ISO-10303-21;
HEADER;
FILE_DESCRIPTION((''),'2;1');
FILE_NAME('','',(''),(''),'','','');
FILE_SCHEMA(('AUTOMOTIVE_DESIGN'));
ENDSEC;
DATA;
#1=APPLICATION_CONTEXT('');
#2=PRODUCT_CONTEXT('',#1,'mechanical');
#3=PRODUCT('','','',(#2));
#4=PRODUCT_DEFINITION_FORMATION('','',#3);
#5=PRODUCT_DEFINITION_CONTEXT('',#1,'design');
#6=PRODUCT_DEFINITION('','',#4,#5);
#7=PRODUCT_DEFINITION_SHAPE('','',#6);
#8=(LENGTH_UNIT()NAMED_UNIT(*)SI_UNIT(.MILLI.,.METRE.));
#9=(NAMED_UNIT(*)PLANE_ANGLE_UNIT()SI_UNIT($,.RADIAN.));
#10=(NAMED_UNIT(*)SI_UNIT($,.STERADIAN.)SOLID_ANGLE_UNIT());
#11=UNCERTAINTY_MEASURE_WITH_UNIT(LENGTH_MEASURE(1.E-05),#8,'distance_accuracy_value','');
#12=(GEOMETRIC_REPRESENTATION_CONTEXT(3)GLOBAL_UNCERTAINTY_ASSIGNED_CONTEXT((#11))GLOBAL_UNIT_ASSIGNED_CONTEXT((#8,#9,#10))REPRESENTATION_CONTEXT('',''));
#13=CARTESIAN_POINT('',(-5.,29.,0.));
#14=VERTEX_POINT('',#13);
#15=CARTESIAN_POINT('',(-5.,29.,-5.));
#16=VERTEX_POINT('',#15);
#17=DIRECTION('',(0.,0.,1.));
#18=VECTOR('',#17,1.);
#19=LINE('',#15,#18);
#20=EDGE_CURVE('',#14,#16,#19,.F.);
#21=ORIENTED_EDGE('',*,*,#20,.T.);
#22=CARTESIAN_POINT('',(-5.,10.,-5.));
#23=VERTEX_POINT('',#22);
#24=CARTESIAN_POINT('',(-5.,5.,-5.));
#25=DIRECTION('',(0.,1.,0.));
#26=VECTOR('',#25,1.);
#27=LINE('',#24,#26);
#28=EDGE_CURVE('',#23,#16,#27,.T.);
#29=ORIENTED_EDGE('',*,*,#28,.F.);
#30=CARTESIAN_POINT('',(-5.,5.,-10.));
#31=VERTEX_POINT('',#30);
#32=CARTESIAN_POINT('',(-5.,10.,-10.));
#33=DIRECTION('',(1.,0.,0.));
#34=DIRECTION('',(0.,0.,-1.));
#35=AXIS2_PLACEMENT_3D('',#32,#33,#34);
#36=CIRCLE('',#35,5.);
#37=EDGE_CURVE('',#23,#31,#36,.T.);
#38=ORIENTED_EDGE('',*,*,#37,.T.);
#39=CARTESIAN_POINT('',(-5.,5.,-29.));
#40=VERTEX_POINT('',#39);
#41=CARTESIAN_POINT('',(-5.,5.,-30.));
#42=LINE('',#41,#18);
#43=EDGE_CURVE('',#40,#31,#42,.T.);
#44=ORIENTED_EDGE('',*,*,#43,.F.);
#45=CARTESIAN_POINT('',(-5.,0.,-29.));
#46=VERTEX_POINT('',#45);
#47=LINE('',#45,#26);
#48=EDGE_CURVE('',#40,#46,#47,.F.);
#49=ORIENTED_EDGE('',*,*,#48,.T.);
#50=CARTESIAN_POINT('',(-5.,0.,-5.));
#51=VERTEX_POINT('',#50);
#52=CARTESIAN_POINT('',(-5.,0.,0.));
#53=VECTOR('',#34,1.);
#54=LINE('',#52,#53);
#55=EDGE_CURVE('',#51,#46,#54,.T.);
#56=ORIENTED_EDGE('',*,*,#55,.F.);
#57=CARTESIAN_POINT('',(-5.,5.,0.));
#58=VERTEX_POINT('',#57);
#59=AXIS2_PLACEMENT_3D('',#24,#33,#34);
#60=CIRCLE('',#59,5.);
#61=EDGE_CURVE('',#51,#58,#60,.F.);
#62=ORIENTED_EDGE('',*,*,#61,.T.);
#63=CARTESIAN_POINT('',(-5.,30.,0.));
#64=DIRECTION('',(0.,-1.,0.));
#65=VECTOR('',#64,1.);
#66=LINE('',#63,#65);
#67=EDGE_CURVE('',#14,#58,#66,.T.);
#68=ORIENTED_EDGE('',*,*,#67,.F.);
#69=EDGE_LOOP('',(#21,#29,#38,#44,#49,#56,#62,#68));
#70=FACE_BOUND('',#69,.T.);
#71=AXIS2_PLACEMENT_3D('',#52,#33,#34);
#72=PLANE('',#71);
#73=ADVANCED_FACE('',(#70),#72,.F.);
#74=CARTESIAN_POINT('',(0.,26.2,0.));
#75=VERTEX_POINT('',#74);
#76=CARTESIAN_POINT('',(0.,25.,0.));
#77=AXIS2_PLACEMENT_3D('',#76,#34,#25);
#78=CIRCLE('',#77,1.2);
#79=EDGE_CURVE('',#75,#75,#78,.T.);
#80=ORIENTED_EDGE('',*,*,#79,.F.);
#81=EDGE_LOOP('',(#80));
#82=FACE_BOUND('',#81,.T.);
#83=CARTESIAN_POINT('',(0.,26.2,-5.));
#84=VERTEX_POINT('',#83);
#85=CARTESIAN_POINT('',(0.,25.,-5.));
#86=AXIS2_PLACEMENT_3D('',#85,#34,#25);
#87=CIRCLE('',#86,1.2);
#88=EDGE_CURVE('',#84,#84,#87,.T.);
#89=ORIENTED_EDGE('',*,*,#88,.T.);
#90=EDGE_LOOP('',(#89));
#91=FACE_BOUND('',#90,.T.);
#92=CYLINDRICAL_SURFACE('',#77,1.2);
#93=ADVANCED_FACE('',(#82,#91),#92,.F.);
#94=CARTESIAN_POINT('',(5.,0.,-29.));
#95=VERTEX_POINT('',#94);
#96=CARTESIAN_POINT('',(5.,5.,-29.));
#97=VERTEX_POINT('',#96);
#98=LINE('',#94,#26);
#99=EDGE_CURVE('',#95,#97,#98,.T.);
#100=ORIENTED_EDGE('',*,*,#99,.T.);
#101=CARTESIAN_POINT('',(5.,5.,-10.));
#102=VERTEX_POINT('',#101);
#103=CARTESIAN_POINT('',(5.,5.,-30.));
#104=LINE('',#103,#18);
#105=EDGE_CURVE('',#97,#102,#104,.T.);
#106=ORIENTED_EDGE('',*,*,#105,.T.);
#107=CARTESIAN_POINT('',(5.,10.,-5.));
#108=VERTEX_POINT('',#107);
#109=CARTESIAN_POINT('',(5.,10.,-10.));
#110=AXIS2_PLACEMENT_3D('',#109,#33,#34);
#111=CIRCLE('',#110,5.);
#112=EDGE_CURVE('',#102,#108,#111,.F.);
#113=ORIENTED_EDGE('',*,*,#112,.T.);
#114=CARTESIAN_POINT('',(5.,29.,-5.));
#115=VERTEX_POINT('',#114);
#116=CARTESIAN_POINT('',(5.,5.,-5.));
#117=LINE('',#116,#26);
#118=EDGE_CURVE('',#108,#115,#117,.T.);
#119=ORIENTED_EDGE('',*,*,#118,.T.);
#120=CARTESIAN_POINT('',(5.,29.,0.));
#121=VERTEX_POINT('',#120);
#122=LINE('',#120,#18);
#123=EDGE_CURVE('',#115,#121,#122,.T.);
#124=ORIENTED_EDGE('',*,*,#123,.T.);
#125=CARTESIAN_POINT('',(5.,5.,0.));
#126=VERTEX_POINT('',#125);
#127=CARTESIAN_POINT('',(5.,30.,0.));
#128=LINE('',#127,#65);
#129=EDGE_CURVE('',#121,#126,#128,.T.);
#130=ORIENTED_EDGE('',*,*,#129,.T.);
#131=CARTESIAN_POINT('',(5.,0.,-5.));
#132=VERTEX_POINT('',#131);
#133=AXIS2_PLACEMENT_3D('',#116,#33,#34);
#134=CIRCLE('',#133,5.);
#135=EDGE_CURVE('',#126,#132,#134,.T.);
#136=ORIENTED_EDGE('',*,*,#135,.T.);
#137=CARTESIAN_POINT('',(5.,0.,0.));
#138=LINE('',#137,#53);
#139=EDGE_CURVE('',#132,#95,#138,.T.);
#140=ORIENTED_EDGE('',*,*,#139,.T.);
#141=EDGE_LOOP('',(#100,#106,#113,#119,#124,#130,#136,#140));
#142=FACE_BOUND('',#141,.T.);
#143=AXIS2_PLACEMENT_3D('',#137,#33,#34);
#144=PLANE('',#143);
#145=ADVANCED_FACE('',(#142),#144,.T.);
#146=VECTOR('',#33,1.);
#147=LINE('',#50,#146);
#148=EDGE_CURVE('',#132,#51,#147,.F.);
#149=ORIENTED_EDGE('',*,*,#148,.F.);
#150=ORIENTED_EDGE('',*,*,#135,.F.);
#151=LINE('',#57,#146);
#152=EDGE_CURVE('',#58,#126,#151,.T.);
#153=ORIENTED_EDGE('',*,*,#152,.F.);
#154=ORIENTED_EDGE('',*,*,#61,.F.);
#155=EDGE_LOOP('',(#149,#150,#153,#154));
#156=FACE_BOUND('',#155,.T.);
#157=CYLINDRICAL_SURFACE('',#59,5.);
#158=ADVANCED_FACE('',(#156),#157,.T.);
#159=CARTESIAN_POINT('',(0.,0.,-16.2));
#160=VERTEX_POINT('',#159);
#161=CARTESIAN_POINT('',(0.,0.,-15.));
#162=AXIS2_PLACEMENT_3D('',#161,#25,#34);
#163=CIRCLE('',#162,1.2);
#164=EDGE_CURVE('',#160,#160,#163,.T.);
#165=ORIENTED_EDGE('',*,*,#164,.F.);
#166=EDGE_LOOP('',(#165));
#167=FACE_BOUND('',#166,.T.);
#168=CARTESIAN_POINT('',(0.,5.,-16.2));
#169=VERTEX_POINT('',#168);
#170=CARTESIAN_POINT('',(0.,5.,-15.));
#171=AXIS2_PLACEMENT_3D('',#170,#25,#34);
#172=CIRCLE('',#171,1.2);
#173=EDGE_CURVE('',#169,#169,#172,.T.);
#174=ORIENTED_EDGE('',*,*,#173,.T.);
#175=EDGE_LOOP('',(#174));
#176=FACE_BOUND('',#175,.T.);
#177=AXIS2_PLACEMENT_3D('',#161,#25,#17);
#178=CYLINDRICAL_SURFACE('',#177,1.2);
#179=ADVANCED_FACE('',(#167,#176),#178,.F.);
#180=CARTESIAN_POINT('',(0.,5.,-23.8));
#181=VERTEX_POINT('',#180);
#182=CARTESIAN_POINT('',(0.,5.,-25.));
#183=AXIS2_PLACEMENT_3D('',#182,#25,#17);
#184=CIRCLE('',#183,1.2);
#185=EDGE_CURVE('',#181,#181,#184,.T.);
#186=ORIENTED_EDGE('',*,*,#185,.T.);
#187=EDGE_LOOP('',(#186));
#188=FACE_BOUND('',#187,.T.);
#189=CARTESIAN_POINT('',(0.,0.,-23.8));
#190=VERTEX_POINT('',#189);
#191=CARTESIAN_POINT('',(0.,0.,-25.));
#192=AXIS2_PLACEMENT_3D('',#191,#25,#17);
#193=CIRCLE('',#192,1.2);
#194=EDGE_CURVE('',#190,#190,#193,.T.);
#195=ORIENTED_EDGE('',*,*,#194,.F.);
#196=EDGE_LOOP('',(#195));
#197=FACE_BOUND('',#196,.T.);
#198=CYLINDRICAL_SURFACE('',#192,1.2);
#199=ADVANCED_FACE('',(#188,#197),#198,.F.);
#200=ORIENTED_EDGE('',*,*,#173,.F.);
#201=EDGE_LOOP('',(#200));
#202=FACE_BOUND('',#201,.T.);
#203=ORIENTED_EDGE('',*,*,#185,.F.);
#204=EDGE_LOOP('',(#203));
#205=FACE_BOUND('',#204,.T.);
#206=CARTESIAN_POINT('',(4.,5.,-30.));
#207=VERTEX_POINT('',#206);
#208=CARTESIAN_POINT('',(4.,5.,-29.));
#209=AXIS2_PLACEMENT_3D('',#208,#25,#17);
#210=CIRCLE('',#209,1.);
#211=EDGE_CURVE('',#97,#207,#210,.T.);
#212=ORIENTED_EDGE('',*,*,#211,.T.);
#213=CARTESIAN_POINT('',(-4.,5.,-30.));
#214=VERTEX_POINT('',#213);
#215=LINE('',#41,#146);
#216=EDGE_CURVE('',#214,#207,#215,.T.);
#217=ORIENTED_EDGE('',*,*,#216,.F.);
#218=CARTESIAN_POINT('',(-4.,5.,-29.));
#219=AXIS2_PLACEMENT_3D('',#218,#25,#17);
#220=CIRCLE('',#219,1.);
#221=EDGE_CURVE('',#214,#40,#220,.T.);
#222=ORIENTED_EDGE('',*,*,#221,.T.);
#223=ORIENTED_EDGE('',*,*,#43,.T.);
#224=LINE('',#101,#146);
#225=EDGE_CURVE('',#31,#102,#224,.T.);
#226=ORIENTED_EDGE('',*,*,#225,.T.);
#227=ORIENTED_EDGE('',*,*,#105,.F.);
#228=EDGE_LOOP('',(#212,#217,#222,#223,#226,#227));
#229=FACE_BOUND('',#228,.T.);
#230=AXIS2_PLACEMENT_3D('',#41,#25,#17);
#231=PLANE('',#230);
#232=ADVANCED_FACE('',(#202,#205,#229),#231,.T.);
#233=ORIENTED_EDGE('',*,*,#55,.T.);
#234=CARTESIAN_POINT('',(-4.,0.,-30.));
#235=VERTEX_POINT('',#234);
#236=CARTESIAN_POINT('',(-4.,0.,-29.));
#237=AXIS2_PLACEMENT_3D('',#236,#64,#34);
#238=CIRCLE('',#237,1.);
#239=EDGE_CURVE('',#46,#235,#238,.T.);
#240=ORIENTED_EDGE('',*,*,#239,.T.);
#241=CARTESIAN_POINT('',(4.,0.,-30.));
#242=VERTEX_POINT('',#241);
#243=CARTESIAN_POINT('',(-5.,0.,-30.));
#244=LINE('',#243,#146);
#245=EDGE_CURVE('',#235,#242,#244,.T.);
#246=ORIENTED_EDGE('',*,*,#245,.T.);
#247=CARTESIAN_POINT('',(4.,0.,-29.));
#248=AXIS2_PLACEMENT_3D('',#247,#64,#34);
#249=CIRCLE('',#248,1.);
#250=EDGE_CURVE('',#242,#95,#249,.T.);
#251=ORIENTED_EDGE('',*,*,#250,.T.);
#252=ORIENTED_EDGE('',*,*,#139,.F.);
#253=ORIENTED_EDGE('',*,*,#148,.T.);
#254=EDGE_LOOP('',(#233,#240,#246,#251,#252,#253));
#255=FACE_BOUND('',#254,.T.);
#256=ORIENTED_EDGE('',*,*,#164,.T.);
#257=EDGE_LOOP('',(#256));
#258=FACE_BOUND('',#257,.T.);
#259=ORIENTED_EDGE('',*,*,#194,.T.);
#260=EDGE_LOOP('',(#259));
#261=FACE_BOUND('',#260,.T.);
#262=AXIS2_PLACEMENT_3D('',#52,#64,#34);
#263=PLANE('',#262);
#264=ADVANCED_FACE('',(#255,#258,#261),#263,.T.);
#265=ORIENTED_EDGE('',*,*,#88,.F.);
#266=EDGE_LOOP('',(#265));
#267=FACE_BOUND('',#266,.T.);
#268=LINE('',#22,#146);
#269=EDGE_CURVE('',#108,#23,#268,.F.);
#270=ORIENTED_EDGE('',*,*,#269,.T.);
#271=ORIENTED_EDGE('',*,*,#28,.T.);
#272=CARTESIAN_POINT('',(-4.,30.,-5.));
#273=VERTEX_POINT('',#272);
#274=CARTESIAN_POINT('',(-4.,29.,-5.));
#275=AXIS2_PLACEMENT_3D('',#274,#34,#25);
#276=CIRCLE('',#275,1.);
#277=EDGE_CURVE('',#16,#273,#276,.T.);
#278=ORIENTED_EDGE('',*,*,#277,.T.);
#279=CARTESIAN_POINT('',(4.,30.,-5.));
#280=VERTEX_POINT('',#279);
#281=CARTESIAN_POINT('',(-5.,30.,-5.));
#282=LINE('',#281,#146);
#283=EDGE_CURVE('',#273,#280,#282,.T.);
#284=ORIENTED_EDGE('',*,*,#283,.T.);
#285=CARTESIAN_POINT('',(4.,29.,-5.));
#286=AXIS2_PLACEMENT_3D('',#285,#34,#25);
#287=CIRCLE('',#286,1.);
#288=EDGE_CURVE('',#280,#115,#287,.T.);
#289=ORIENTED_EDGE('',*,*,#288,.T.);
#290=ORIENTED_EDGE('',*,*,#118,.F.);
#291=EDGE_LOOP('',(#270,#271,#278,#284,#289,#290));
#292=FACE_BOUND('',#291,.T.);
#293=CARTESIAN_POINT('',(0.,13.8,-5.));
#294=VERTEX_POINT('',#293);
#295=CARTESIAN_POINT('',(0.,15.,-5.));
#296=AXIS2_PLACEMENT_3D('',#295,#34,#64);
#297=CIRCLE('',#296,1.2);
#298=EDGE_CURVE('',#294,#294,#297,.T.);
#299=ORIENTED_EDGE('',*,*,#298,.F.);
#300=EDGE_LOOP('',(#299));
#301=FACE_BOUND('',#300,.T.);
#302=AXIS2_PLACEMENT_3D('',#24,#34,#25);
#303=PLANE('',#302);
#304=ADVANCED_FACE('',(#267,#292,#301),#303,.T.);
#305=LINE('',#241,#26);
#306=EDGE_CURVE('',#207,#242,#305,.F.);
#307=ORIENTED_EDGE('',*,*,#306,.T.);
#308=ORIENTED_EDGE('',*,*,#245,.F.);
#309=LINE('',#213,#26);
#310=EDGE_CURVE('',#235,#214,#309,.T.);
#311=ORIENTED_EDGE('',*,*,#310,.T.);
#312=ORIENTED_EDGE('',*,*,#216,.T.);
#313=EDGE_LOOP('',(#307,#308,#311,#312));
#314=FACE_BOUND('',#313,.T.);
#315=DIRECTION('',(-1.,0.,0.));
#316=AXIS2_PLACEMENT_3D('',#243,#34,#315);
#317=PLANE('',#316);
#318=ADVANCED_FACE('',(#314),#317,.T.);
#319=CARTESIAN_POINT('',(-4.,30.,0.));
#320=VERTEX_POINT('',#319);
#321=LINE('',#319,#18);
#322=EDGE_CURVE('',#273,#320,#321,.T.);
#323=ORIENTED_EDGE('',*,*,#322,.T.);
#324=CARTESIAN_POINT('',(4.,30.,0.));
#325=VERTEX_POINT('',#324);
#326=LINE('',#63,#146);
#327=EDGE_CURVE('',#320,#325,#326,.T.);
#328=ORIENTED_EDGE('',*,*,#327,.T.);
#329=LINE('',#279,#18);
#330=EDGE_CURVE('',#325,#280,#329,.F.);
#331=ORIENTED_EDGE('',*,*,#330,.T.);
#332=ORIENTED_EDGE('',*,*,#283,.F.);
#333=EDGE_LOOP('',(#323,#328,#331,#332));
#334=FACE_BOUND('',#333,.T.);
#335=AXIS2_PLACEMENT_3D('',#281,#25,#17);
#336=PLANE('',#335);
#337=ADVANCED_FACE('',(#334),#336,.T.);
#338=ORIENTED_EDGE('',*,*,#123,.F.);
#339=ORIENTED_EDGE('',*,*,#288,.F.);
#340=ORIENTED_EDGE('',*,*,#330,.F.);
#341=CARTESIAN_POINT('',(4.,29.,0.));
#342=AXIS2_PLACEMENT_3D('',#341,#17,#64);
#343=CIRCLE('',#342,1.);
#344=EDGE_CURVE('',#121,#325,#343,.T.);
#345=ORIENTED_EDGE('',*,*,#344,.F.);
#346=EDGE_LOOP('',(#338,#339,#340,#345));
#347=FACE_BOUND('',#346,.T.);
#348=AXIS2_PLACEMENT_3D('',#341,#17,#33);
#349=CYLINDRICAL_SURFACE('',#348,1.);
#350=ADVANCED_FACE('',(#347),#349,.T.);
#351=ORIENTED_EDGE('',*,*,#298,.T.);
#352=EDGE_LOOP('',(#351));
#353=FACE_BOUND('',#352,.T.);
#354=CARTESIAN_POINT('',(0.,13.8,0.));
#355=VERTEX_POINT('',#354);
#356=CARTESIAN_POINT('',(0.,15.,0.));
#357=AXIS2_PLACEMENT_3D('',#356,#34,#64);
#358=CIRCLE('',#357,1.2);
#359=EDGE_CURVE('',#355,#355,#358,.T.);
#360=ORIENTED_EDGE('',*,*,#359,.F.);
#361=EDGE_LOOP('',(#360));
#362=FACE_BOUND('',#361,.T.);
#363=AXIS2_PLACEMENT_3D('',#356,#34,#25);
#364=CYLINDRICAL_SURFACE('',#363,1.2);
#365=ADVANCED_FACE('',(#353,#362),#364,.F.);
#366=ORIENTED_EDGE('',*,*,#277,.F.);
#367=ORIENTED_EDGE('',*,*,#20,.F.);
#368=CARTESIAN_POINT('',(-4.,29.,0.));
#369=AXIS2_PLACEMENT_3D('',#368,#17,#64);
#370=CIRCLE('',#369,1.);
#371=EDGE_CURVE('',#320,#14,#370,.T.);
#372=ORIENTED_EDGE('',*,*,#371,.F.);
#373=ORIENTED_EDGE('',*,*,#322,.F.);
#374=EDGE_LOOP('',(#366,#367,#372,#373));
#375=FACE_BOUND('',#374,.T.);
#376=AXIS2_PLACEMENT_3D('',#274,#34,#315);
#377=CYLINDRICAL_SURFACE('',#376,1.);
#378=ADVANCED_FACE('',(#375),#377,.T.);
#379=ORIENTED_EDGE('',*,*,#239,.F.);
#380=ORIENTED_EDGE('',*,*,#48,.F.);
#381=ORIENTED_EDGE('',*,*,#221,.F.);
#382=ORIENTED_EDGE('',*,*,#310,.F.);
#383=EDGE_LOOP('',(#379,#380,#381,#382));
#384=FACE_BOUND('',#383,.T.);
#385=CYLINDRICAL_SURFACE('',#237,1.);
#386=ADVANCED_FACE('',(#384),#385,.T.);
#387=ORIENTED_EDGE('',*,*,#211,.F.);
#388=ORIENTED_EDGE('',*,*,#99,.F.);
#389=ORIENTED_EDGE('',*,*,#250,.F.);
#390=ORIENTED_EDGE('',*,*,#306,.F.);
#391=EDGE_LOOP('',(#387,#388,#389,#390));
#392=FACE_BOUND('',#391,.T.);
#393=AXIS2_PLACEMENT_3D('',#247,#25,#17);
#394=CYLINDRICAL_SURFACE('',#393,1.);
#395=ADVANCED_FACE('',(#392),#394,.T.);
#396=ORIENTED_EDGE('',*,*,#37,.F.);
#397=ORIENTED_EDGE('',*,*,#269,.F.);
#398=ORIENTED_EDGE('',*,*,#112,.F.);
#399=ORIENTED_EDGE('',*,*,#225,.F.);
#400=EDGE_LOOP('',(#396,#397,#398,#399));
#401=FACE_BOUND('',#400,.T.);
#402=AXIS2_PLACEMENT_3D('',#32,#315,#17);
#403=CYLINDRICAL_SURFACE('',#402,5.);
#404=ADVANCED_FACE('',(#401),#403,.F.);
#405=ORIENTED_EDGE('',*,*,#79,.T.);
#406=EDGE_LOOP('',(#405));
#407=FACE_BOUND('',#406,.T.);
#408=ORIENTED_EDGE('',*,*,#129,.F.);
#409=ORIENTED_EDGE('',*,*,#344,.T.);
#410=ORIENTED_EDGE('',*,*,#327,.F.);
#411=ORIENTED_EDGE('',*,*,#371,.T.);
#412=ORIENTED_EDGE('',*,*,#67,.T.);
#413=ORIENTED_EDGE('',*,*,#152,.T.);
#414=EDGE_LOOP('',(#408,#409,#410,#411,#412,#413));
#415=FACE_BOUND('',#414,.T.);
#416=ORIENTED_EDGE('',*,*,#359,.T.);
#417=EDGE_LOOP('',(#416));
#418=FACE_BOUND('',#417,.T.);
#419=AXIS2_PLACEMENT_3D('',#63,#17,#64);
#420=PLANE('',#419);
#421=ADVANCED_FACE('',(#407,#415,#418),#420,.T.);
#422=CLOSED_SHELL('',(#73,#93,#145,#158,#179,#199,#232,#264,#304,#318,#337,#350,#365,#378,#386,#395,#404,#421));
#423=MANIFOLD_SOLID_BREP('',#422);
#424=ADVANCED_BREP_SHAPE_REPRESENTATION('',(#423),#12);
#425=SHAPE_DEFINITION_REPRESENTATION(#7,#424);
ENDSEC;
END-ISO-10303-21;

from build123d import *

# Parameters (mm, degrees)
EXTRUDE_1_DEPTH      = 5
EXTRUDE_1_DEPTH_BACK = 5
SKETCH_2_R           = 1.2
CUT_EXTRUDE_1_DEPTH  = 40.37003937
SKETCH_3_R           = 1.2
CUT_EXTRUDE_2_DEPTH  = 40.37003937
FILLET_1_R           = 1
FILLET_2_R           = 5


with BuildPart() as part:
    # Эскиз1 → Бобышка-Вытянуть1 (new, two sides: drawn at the far end of the back side and taken through both)
    with BuildSketch(Plane(origin=(0, 0, 0), x_dir=(0, 0, -1), z_dir=(1, 0, 0)).offset(-EXTRUDE_1_DEPTH_BACK)):
        Polygon((0, 30), (0, 0), (30, 0), (30, 5), (5, 5), (5, 30), align=None)
    extrude(amount=EXTRUDE_1_DEPTH + EXTRUDE_1_DEPTH_BACK)

    # Эскиз2 → Вырез-Вытянуть1 (cut, through all)
    with BuildSketch(Plane(origin=(0, 5, 0), x_dir=(1, 0, 0), z_dir=(0, 1, 0))):
        with Locations((0, 25)):
            Circle(SKETCH_2_R)
        with Locations((0, 15)):
            Circle(SKETCH_2_R)
    extrude(amount=-CUT_EXTRUDE_1_DEPTH, mode=Mode.SUBTRACT)

    # Эскиз3 → Вырез-Вытянуть2 (cut, through all)
    with BuildSketch(Plane(origin=(0, 0, -5), x_dir=(-1, 0, 0), z_dir=(0, 0, -1))):
        with Locations((0, 25)):
            Circle(SKETCH_3_R)
        with Locations((0, 15)):
            Circle(SKETCH_3_R)
    extrude(amount=-CUT_EXTRUDE_2_DEPTH, mode=Mode.SUBTRACT)

    # Скругление1
    fillet_1_edges = [part.edges().sort_by_distance(p)[0] for p in [
        (-5, 2.5, -30),
        (5, 2.5, -30),
        (5, 30, -2.5),
        (-5, 30, -2.5),
    ]]
    fillet(fillet_1_edges, radius=FILLET_1_R)

    # Скругление2
    fillet_2_edges = [part.edges().sort_by_distance(p)[0] for p in [
        (0, 0, 0),
        (0, 5, -5),
    ]]
    fillet(fillet_2_edges, radius=FILLET_2_R)


solid = part.part
